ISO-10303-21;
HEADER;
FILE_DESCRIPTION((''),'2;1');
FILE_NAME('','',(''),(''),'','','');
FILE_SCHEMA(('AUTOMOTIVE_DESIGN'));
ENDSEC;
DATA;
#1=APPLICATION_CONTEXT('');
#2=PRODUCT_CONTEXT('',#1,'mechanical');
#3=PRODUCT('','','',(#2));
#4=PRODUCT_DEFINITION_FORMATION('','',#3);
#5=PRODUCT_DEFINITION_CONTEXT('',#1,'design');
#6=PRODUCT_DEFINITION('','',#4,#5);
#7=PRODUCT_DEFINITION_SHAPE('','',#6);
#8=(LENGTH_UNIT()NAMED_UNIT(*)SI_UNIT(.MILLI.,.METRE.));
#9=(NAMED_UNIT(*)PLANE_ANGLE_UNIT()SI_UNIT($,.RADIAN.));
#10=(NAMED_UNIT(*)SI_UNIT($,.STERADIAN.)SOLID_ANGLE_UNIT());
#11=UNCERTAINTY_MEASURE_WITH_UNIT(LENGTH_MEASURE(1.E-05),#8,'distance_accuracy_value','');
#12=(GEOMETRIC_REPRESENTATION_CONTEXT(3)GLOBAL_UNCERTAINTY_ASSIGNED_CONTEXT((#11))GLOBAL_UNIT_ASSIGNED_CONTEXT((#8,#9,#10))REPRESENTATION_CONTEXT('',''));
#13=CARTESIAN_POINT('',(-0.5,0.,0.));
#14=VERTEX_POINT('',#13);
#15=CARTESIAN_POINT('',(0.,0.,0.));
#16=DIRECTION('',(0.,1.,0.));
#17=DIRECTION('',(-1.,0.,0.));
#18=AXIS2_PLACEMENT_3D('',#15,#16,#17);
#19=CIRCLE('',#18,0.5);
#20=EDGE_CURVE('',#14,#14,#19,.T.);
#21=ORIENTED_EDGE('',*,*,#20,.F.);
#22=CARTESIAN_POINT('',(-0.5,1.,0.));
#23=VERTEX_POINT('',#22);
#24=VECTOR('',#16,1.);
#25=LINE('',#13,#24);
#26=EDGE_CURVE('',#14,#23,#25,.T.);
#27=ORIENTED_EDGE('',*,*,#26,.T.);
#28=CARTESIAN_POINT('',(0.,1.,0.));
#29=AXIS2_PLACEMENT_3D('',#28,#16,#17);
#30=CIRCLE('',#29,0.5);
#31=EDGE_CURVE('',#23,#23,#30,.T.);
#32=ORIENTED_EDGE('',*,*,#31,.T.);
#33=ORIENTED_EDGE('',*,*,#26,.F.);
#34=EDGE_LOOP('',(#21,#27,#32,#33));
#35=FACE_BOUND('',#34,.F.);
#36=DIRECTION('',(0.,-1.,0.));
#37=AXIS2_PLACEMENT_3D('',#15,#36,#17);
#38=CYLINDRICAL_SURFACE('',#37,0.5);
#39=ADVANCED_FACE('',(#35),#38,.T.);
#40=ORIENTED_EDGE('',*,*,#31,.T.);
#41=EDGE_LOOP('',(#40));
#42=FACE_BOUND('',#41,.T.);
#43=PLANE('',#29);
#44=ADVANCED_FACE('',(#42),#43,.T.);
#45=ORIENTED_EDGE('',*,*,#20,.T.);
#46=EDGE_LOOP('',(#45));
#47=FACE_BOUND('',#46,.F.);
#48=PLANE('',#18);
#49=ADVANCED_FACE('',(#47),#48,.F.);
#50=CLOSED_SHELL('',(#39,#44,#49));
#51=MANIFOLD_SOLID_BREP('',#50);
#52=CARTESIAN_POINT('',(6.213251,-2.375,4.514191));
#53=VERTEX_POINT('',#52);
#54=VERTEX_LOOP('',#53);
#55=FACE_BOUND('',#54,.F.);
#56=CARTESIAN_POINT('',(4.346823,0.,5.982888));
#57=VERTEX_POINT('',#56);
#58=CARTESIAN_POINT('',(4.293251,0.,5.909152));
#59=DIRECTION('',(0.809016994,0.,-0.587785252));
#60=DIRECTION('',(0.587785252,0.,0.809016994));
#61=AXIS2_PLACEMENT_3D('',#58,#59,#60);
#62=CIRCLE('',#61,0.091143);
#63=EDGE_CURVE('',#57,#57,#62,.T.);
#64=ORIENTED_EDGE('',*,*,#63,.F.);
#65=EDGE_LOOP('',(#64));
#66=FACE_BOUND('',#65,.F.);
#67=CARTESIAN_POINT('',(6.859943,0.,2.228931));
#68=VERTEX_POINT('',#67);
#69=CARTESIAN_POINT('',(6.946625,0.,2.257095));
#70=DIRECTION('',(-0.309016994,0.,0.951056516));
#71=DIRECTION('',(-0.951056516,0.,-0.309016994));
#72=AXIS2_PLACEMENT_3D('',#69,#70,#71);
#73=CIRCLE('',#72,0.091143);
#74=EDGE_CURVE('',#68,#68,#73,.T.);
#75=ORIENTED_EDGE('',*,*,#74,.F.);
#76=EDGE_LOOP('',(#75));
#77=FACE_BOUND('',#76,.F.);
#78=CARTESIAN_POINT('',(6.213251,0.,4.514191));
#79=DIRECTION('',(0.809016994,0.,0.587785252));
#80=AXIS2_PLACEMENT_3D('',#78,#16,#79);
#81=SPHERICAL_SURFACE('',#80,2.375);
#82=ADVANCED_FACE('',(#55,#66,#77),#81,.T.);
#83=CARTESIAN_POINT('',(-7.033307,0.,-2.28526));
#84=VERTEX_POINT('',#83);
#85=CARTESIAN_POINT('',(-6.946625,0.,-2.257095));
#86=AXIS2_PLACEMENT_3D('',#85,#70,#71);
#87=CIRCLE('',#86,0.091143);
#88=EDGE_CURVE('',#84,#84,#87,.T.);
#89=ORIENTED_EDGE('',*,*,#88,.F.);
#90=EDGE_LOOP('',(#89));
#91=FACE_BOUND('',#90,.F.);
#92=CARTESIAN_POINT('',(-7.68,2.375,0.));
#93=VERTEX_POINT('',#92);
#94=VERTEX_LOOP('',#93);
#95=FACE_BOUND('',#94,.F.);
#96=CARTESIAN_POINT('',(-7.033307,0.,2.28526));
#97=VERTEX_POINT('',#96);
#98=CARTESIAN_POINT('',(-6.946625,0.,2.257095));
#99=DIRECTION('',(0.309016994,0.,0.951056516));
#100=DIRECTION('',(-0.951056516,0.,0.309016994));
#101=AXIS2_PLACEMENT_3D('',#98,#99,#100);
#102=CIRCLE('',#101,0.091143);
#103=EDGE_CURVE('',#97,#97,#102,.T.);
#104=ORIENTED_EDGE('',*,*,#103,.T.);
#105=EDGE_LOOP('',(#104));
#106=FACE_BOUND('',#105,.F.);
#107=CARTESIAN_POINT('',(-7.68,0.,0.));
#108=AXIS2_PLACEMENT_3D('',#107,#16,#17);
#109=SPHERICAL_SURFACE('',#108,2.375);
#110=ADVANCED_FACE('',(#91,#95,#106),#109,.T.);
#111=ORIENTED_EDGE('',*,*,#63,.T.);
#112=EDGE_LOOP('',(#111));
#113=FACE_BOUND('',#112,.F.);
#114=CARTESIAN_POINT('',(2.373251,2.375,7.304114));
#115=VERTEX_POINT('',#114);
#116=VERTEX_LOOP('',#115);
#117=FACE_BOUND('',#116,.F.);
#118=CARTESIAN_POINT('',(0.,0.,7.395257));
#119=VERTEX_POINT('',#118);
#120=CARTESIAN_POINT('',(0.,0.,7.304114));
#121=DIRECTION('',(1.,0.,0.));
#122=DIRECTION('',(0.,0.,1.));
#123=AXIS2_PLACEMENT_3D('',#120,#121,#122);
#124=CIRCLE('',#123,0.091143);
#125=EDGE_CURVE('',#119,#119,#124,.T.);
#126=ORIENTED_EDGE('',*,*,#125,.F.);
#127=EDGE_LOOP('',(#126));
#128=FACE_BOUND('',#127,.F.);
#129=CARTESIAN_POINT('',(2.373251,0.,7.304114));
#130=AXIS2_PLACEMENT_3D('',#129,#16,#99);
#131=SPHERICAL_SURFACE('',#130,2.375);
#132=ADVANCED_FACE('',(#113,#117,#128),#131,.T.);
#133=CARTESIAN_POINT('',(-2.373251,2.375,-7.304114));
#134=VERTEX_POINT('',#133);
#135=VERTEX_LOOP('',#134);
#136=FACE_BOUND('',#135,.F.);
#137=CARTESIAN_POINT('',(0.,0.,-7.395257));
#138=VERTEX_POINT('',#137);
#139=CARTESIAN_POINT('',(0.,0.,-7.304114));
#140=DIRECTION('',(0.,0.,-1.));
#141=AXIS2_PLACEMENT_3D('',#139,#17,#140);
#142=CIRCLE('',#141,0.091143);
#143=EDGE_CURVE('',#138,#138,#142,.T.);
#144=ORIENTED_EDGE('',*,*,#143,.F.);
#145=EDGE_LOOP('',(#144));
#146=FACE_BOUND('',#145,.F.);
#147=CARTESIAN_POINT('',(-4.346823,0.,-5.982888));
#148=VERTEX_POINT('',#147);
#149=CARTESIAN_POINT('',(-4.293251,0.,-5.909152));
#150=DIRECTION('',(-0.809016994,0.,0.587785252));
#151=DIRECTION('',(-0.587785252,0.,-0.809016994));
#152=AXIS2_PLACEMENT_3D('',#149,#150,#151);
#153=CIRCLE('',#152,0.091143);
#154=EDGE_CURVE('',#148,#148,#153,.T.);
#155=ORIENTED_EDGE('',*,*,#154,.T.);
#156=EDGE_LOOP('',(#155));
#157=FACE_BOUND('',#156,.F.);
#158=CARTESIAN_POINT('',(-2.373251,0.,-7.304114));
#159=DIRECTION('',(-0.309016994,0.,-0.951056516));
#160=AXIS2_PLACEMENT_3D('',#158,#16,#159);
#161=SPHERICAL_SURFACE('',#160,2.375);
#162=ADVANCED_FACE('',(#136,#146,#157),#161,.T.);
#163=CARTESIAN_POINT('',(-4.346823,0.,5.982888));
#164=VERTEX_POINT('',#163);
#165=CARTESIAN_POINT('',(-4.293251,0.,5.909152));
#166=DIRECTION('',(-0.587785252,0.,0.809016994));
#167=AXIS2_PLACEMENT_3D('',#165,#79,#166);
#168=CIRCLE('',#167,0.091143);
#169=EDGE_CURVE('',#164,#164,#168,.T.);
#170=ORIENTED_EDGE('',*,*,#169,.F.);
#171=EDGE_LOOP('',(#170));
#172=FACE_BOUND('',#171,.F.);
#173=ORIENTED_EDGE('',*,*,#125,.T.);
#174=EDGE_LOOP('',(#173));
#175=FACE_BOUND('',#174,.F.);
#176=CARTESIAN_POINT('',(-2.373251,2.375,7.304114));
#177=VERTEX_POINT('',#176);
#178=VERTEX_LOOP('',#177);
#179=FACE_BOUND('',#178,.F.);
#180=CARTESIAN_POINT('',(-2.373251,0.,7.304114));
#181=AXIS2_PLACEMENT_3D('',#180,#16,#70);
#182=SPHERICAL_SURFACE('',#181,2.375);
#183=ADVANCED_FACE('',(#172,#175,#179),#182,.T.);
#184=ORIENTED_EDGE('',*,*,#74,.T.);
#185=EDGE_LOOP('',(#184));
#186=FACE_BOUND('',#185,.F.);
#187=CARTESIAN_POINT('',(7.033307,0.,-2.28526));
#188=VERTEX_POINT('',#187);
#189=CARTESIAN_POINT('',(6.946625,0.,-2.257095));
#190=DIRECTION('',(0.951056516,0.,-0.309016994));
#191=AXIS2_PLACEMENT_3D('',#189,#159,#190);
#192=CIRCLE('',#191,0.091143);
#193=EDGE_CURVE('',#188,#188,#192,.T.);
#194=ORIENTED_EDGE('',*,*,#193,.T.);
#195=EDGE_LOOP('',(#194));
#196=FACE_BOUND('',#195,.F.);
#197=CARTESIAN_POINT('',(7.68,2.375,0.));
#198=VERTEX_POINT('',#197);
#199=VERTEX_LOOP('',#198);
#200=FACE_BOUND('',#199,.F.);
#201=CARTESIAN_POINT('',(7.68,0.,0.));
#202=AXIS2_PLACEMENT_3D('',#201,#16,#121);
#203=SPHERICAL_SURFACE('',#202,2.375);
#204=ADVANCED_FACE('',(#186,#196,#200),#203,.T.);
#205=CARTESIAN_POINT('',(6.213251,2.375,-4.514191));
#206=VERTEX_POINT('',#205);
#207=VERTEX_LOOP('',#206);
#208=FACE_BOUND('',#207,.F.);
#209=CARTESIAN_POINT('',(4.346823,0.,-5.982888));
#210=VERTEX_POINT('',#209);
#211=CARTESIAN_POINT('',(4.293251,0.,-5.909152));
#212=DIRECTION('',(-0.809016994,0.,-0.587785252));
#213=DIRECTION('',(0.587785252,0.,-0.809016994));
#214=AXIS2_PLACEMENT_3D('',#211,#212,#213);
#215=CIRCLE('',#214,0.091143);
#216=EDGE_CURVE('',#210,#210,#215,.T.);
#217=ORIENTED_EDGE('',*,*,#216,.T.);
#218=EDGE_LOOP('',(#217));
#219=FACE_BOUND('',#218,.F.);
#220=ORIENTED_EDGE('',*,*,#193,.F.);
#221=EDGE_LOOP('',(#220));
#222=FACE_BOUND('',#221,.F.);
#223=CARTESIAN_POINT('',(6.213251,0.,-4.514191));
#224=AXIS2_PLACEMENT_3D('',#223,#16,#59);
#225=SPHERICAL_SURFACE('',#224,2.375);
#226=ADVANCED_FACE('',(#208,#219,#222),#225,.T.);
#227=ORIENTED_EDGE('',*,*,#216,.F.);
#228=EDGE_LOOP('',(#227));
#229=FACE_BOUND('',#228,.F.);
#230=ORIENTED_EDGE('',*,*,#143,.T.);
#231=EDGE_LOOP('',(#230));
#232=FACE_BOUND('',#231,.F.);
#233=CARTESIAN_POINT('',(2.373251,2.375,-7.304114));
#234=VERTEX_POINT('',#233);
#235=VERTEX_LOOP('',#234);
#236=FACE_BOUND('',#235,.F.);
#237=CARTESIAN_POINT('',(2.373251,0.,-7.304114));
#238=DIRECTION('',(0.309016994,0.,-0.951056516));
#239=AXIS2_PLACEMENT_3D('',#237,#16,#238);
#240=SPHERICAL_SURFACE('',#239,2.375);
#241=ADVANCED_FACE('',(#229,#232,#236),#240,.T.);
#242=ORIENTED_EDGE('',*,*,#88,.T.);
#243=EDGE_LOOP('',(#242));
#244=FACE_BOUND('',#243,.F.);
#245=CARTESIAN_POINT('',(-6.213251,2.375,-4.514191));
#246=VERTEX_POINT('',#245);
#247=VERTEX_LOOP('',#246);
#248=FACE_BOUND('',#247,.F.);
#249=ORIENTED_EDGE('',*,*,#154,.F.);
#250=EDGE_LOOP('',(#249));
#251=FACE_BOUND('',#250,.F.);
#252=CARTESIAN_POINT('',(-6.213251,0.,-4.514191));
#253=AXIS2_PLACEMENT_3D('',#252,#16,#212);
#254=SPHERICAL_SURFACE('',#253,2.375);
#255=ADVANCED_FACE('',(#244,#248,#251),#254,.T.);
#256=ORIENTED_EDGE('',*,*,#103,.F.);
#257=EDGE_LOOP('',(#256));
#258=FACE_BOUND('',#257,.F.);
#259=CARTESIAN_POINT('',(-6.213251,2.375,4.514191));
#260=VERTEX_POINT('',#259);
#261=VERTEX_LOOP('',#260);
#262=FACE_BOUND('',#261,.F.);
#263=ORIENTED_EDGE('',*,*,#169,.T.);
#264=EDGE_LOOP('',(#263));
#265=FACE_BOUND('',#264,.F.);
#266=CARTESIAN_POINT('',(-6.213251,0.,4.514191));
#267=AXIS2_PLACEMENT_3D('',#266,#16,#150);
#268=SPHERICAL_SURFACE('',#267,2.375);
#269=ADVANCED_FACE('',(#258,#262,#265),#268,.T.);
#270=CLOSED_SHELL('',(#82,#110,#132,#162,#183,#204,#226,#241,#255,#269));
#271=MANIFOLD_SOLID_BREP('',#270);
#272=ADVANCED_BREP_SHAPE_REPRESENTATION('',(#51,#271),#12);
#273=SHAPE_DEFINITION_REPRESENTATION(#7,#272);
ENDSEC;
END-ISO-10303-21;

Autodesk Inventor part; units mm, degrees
ref_plane "YZ Plane" through (0, 0, 0) normal (1, 0, 0) x (0, 1, 0)
ref_plane "XZ Plane" through (0, 0, 0) normal (0, 1, 0) x (-1, 0, 0)
ref_plane "XY Plane" through (0, 0, 0) normal (0, 0, 1) x (1, 0, 0)
sketch "Sketch3" plane through (0, 0, 0) normal (0, 0, 1) x (1, 0, 0)
  line L0 (0, 4.385) -> (0, -4.7892)
  line L1 (0, 0) -> (7.68, 0)
  line L2 (7.68, 2.375) -> (7.68, -2.375)
  arc A0 (7.68, -2.375) -> (7.68, 2.375) centre (7.68, 0) ccw
  dimension "d6" = 7.68
  dimension "d7" = 4.75
revolve "Revolution2" add sketch "Sketch3" angle 360 about axis through (7.68, 2.375, 0) along (0, -1, 0)
pattern_circular "Circular Pattern1" count 10 over 360 about axis through (0, -10, 0) along (0, 1, 0) of "Revolution2"
sketch "Sketch4" plane through (0, 0, 0) normal (0, 1, 0) x (-1, 0, 0)
  circle A0 centre (0, 0) radius 0.5
  dimension "d12" = 1
extrude "Extrusion1" add sketch "Sketch4" along normal blind 1
properties part number "BallBearing"
